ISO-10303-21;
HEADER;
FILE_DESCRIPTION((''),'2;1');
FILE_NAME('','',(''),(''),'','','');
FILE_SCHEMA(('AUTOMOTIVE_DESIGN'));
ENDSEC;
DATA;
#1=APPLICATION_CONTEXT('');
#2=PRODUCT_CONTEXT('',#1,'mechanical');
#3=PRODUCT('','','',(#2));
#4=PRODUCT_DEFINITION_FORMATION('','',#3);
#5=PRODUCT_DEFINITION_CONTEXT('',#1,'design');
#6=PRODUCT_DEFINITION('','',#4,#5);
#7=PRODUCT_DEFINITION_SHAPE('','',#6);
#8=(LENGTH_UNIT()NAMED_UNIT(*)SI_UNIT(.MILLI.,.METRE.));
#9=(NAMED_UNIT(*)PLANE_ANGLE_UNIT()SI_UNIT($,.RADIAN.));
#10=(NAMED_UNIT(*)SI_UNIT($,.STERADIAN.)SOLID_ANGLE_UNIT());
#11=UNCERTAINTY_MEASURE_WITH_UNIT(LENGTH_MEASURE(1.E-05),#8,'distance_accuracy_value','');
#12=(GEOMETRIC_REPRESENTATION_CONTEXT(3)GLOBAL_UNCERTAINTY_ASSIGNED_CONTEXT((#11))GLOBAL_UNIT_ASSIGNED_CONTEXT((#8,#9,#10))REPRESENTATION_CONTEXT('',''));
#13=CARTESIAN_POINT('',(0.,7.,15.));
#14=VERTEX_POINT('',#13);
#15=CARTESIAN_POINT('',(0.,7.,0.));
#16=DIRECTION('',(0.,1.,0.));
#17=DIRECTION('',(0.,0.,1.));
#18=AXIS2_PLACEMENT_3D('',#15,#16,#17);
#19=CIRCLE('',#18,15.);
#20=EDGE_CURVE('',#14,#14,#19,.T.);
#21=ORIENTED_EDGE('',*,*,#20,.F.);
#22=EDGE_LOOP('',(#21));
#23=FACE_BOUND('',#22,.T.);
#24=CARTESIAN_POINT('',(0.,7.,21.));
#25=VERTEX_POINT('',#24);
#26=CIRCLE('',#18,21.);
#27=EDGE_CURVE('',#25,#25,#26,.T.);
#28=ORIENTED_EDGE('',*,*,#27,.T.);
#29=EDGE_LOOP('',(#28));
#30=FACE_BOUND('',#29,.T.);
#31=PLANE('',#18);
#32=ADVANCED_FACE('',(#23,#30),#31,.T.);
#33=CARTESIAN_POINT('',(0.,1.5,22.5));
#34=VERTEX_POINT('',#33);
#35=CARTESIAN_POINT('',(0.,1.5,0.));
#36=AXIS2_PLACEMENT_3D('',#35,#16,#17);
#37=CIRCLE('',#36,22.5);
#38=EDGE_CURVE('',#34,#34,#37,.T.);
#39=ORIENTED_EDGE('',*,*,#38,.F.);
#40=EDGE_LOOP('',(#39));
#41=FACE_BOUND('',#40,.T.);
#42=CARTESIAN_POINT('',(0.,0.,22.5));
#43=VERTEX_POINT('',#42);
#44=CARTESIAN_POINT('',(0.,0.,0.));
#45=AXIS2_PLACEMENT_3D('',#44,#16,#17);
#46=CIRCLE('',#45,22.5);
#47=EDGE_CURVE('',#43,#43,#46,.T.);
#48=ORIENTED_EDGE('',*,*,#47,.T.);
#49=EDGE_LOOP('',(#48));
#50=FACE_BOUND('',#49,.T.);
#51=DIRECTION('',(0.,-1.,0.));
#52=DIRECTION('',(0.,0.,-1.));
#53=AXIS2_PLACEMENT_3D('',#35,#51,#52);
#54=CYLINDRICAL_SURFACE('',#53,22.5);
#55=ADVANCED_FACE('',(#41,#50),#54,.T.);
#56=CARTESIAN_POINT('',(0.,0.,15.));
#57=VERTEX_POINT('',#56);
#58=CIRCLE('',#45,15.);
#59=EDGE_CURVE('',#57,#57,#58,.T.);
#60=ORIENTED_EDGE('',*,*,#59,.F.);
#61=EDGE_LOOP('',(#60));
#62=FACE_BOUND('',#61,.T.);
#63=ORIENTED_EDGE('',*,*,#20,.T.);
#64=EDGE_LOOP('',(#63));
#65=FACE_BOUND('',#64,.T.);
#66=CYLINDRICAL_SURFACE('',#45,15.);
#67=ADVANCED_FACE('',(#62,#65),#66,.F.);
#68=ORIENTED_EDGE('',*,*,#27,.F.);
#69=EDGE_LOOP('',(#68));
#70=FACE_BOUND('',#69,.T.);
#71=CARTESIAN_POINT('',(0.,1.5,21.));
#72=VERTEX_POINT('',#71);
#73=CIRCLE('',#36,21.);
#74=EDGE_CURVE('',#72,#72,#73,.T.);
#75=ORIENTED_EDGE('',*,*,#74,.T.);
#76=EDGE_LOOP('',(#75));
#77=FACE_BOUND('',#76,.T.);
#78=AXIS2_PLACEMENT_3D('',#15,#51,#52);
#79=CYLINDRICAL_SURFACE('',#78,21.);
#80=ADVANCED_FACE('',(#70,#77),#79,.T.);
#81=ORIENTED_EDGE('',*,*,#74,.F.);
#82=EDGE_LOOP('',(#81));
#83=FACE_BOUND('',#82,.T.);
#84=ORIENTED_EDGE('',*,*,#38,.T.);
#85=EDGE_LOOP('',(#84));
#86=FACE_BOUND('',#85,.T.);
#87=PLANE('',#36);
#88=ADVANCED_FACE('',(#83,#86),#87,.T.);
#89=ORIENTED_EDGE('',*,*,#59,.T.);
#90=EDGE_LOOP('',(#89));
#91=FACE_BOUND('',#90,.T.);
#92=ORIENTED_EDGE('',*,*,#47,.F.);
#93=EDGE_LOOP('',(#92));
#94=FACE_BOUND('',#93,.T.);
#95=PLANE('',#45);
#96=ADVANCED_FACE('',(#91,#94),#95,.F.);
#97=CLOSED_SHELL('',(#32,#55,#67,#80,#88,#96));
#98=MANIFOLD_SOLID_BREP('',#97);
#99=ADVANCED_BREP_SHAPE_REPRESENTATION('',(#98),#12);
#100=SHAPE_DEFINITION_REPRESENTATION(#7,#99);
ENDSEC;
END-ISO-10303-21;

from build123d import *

# Parameters (mm, degrees)
SKETCH_1_R          = 22.5
EXTRUDE_1_DEPTH     = 1.5
SKETCH_2_R          = 21
EXTRUDE_2_DEPTH     = 5.5
SKETCH_3_R          = 15
CUT_EXTRUDE_1_DEPTH = 8


with BuildPart() as part:
    # 草图1 → 凸台-拉伸1 (new body)
    with BuildSketch(Plane(origin=(0, 0, 0), x_dir=(1, 0, 0), z_dir=(0, 1, 0))):
        Circle(SKETCH_1_R)
    extrude(amount=EXTRUDE_1_DEPTH)

    # 草图2 → 凸台-拉伸2 (add)
    with BuildSketch(Plane(origin=(0, 1.5, 0), x_dir=(1, 0, 0), z_dir=(0, 1, 0))):
        Circle(SKETCH_2_R)
    extrude(amount=EXTRUDE_2_DEPTH)

    # 草图3 → 切除-拉伸1 (cut, through all)
    with BuildSketch(Plane(origin=(0, 7, 0), x_dir=(1, 0, 0), z_dir=(0, 1, 0))):
        Circle(SKETCH_3_R)
    extrude(amount=-CUT_EXTRUDE_1_DEPTH, mode=Mode.SUBTRACT)


solid = part.part
